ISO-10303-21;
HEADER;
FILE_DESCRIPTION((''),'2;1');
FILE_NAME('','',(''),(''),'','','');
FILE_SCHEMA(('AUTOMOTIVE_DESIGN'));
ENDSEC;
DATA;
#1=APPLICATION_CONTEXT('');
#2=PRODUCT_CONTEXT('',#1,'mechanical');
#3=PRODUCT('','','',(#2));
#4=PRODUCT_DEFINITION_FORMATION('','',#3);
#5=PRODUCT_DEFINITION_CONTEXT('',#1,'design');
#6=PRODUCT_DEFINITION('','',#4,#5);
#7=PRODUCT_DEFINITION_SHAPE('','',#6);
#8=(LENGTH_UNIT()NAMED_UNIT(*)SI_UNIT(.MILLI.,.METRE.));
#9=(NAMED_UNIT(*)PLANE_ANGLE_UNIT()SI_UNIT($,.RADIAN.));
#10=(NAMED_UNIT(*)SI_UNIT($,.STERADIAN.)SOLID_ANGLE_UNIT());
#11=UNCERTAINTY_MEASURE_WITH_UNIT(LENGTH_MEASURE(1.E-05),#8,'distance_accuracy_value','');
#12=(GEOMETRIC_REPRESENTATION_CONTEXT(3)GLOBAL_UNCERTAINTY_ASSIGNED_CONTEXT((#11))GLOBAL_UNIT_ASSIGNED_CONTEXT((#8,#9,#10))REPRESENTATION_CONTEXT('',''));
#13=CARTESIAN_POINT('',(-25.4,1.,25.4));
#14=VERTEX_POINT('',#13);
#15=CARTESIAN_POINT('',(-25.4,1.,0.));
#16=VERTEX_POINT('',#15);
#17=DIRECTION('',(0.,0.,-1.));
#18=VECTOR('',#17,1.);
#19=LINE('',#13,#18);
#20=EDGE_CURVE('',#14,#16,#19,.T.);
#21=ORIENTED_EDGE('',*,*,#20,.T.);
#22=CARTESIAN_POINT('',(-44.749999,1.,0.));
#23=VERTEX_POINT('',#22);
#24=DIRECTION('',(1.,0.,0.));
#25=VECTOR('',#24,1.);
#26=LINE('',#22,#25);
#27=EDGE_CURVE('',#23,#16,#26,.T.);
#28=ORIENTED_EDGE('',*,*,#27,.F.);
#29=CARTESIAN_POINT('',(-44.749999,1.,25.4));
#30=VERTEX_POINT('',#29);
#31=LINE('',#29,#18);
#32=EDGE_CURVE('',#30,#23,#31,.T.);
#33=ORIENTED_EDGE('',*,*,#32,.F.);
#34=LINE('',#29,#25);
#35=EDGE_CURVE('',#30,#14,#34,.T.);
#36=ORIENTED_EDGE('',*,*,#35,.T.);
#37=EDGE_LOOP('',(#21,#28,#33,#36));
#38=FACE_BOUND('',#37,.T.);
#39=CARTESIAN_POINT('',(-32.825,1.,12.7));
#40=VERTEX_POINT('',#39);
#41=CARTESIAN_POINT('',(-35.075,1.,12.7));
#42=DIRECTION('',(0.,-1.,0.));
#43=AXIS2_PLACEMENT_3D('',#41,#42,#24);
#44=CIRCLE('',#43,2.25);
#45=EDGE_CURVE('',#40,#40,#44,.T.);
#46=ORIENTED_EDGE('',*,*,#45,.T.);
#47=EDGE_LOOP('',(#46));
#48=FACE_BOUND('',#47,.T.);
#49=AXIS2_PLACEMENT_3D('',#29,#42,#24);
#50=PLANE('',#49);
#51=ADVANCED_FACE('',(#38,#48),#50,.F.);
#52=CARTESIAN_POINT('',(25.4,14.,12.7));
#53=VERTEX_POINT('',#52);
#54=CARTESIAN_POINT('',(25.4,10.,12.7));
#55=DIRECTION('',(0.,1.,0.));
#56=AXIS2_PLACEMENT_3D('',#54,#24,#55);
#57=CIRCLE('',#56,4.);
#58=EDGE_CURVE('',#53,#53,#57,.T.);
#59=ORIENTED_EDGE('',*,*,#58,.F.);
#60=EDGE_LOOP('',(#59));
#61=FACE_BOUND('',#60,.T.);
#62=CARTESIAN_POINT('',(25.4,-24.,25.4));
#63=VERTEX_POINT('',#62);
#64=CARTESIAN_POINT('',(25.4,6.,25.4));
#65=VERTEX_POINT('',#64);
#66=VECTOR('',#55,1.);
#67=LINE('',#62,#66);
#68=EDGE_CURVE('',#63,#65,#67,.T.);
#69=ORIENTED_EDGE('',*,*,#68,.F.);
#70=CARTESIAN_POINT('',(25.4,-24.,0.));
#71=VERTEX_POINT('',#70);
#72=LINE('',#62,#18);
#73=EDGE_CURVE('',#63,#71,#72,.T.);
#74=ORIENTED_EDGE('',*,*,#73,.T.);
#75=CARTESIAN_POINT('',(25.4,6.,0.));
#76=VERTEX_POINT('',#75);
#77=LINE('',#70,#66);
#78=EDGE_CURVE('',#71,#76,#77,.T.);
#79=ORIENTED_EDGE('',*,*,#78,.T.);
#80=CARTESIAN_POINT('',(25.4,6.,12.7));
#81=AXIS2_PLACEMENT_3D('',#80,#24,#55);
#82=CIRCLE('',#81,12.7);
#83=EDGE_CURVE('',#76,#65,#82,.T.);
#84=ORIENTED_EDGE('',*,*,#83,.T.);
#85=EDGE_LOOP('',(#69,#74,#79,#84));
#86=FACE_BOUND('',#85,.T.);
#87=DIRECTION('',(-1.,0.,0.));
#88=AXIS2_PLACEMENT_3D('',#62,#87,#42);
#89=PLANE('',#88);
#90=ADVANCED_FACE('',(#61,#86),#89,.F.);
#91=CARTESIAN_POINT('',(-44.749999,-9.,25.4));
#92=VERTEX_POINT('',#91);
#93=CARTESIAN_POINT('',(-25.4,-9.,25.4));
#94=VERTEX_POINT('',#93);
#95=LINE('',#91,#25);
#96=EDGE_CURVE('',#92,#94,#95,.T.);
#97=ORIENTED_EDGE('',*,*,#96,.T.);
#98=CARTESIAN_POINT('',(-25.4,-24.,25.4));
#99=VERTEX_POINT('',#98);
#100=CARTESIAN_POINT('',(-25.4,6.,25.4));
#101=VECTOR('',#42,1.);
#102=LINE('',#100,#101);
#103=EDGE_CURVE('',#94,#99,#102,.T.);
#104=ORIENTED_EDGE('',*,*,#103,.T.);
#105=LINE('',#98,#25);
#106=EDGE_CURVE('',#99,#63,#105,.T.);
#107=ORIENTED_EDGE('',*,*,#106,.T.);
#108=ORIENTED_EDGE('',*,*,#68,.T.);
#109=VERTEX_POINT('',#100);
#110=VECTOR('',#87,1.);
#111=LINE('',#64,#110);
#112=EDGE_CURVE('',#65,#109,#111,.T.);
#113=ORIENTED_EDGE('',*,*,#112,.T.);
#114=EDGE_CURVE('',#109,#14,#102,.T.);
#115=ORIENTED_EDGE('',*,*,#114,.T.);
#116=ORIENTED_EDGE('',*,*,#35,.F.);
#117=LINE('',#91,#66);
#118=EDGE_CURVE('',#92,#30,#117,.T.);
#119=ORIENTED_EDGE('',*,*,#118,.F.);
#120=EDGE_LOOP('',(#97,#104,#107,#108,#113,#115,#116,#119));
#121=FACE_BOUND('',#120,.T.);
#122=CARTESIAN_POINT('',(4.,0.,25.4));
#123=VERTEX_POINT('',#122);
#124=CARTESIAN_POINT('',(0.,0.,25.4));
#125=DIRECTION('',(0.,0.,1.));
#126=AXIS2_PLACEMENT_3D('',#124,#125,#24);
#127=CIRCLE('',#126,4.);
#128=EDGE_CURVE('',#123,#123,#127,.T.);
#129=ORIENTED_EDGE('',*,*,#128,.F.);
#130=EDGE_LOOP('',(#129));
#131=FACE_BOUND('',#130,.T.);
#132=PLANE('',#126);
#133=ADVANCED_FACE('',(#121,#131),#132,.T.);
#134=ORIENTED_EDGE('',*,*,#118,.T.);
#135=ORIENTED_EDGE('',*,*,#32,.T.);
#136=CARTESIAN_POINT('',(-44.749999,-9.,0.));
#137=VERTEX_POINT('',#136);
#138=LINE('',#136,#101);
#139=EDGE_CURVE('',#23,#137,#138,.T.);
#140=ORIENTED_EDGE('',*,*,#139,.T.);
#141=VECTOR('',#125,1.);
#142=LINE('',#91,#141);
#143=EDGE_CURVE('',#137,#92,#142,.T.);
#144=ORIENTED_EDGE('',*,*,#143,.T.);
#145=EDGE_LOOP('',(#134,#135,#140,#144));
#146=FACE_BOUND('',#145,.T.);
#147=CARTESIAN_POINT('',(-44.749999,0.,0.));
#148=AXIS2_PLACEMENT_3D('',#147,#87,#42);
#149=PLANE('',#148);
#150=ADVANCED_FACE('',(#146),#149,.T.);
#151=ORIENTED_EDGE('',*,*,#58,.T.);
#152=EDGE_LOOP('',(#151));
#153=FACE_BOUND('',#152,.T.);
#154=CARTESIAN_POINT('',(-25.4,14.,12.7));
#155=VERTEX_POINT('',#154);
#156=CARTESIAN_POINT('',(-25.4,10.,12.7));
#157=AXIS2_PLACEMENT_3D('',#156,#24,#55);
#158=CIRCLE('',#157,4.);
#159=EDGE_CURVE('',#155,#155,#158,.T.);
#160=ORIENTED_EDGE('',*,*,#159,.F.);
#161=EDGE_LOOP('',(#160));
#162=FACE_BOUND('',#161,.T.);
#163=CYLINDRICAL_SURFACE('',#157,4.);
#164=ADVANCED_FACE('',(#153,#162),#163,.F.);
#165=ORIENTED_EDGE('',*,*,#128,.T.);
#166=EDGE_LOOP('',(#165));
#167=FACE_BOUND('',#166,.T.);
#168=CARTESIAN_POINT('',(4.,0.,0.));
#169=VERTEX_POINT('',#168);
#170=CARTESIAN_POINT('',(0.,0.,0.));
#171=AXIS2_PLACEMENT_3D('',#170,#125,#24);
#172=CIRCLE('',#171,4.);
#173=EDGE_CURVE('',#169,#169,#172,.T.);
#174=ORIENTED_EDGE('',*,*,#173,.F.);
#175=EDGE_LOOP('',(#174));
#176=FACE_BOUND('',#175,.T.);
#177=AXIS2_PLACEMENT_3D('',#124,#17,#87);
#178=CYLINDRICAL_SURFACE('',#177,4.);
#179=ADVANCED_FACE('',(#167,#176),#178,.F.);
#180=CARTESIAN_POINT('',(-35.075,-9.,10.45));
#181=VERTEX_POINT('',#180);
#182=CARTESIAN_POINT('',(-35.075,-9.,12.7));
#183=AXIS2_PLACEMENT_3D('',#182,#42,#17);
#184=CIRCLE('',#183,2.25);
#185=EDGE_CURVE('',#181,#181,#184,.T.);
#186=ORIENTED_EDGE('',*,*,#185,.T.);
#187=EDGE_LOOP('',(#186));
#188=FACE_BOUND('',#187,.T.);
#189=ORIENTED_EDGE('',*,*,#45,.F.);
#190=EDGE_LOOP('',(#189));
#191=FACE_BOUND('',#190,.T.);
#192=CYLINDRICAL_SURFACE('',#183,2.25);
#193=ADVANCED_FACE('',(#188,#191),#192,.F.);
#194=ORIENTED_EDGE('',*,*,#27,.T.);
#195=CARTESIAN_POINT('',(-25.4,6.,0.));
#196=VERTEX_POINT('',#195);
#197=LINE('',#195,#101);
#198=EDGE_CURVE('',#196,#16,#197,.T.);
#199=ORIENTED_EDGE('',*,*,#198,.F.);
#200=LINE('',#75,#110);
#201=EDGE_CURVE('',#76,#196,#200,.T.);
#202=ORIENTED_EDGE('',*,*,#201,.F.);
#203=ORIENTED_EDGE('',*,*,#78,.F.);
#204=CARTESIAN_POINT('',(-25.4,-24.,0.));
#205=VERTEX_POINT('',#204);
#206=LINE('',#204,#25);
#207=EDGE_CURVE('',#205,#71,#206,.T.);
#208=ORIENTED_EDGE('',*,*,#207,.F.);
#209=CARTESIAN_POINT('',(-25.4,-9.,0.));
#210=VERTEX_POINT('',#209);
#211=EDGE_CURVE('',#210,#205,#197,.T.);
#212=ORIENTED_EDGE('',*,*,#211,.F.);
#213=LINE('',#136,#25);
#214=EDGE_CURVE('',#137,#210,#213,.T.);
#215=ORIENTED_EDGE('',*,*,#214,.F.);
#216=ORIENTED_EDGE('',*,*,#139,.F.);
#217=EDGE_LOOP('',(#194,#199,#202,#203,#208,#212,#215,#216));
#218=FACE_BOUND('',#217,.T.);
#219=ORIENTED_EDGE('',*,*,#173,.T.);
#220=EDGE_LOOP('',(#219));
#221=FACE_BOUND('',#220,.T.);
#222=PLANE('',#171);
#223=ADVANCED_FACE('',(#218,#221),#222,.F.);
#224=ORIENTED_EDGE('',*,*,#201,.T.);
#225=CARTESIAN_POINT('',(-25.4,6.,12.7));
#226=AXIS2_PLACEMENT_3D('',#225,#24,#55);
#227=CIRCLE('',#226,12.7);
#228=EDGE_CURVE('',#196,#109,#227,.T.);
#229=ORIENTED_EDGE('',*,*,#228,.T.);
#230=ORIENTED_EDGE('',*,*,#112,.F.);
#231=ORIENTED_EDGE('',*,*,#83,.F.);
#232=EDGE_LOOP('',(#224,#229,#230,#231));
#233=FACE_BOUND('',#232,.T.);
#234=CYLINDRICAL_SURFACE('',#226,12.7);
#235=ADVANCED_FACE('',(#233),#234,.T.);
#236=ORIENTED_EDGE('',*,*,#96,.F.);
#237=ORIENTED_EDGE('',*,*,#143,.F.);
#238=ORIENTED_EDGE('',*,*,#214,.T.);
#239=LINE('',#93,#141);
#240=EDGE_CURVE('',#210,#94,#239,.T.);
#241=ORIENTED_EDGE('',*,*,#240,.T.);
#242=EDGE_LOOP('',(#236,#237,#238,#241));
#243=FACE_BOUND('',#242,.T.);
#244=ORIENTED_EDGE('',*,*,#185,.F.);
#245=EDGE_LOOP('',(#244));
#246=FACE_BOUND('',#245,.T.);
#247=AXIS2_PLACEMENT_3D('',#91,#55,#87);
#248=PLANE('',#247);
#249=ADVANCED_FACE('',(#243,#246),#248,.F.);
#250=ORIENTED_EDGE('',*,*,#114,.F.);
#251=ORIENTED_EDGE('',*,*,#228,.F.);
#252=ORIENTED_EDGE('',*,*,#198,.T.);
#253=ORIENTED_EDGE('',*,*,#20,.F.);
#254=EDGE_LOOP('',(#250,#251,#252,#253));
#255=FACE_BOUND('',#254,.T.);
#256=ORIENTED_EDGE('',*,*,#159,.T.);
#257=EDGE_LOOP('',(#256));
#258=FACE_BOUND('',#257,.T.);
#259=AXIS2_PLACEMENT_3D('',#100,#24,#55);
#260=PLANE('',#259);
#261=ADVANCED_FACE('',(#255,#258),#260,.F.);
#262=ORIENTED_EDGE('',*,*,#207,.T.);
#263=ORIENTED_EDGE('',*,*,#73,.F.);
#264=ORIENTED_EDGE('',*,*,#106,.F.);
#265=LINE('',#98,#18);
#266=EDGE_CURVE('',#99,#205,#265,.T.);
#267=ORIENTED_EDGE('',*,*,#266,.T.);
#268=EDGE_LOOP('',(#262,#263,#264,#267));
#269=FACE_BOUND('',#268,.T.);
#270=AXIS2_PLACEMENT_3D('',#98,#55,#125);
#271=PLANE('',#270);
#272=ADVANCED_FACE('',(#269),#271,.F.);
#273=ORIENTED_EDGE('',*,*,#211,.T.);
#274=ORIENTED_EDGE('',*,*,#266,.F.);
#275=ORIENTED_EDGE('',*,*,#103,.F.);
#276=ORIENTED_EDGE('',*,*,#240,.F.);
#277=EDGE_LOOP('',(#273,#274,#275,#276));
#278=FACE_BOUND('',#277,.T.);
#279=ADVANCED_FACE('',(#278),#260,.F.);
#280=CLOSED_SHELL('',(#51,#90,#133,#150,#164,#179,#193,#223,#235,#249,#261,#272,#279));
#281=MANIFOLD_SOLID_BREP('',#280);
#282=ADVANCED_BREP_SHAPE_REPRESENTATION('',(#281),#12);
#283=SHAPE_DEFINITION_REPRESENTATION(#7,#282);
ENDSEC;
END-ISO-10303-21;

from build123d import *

# Parameters (mm, degrees)
SKETCH1_W            = 50.8
SKETCH1_H            = 30
SKETCH1_R            = 4
BOSS_EXTRUDE1_DEPTH  = 25.4
SKETCH2_R            = 4
BOSS_EXTRUDE3_DEPTH  = 50.8
SKETCH4_W            = 25.4
SKETCH4_H            = 10
BOSS_EXTRUDE4_DEPTH  = 19.3499994
M4_CLEARANCE_HOLE1_D = 4.5


with BuildPart() as part:
    # Sketch1 → Boss-Extrude1 (new body)
    with BuildSketch(Plane.XY):
        with Locations((0, -9)):
            Rectangle(SKETCH1_W, SKETCH1_H)
        Circle(SKETCH1_R, mode=Mode.SUBTRACT)
    extrude(amount=BOSS_EXTRUDE1_DEPTH)

    # Sketch2 → Boss-Extrude3 (add, through all)
    with BuildSketch(Plane(origin=(25.4, 0, 0), x_dir=(0, 0, -1), z_dir=(1, 0, 0))):
        with BuildLine():
            Line((-25.4, 6), (-25.4, 5))
            Line((-25.4, 5), (0, 5))
            Line((0, 5), (0, 6))
            ThreePointArc((0, 6), (-12.7, 18.7), (-25.4, 6))
        make_face()
        with Locations(Location((-12.7, 10, 0), (0, 0, 90))):
            Circle(SKETCH2_R, mode=Mode.SUBTRACT)
    extrude(amount=-BOSS_EXTRUDE3_DEPTH)

    # Sketch4 → Boss-Extrude4 (add)
    with BuildSketch(Plane.ZY.offset(25.4)):
        with Locations((12.7, -4)):
            Rectangle(SKETCH4_W, SKETCH4_H)
    extrude(amount=BOSS_EXTRUDE4_DEPTH)

    # M4 Clearance Hole1 (through all)
    with Locations(Plane(origin=(0, -9, 0), x_dir=(-1, 0, 0), z_dir=(0, -1, 0))):
        with Locations((35.0749997, -12.7)):
            Hole(M4_CLEARANCE_HOLE1_D / 2)


solid = part.part
